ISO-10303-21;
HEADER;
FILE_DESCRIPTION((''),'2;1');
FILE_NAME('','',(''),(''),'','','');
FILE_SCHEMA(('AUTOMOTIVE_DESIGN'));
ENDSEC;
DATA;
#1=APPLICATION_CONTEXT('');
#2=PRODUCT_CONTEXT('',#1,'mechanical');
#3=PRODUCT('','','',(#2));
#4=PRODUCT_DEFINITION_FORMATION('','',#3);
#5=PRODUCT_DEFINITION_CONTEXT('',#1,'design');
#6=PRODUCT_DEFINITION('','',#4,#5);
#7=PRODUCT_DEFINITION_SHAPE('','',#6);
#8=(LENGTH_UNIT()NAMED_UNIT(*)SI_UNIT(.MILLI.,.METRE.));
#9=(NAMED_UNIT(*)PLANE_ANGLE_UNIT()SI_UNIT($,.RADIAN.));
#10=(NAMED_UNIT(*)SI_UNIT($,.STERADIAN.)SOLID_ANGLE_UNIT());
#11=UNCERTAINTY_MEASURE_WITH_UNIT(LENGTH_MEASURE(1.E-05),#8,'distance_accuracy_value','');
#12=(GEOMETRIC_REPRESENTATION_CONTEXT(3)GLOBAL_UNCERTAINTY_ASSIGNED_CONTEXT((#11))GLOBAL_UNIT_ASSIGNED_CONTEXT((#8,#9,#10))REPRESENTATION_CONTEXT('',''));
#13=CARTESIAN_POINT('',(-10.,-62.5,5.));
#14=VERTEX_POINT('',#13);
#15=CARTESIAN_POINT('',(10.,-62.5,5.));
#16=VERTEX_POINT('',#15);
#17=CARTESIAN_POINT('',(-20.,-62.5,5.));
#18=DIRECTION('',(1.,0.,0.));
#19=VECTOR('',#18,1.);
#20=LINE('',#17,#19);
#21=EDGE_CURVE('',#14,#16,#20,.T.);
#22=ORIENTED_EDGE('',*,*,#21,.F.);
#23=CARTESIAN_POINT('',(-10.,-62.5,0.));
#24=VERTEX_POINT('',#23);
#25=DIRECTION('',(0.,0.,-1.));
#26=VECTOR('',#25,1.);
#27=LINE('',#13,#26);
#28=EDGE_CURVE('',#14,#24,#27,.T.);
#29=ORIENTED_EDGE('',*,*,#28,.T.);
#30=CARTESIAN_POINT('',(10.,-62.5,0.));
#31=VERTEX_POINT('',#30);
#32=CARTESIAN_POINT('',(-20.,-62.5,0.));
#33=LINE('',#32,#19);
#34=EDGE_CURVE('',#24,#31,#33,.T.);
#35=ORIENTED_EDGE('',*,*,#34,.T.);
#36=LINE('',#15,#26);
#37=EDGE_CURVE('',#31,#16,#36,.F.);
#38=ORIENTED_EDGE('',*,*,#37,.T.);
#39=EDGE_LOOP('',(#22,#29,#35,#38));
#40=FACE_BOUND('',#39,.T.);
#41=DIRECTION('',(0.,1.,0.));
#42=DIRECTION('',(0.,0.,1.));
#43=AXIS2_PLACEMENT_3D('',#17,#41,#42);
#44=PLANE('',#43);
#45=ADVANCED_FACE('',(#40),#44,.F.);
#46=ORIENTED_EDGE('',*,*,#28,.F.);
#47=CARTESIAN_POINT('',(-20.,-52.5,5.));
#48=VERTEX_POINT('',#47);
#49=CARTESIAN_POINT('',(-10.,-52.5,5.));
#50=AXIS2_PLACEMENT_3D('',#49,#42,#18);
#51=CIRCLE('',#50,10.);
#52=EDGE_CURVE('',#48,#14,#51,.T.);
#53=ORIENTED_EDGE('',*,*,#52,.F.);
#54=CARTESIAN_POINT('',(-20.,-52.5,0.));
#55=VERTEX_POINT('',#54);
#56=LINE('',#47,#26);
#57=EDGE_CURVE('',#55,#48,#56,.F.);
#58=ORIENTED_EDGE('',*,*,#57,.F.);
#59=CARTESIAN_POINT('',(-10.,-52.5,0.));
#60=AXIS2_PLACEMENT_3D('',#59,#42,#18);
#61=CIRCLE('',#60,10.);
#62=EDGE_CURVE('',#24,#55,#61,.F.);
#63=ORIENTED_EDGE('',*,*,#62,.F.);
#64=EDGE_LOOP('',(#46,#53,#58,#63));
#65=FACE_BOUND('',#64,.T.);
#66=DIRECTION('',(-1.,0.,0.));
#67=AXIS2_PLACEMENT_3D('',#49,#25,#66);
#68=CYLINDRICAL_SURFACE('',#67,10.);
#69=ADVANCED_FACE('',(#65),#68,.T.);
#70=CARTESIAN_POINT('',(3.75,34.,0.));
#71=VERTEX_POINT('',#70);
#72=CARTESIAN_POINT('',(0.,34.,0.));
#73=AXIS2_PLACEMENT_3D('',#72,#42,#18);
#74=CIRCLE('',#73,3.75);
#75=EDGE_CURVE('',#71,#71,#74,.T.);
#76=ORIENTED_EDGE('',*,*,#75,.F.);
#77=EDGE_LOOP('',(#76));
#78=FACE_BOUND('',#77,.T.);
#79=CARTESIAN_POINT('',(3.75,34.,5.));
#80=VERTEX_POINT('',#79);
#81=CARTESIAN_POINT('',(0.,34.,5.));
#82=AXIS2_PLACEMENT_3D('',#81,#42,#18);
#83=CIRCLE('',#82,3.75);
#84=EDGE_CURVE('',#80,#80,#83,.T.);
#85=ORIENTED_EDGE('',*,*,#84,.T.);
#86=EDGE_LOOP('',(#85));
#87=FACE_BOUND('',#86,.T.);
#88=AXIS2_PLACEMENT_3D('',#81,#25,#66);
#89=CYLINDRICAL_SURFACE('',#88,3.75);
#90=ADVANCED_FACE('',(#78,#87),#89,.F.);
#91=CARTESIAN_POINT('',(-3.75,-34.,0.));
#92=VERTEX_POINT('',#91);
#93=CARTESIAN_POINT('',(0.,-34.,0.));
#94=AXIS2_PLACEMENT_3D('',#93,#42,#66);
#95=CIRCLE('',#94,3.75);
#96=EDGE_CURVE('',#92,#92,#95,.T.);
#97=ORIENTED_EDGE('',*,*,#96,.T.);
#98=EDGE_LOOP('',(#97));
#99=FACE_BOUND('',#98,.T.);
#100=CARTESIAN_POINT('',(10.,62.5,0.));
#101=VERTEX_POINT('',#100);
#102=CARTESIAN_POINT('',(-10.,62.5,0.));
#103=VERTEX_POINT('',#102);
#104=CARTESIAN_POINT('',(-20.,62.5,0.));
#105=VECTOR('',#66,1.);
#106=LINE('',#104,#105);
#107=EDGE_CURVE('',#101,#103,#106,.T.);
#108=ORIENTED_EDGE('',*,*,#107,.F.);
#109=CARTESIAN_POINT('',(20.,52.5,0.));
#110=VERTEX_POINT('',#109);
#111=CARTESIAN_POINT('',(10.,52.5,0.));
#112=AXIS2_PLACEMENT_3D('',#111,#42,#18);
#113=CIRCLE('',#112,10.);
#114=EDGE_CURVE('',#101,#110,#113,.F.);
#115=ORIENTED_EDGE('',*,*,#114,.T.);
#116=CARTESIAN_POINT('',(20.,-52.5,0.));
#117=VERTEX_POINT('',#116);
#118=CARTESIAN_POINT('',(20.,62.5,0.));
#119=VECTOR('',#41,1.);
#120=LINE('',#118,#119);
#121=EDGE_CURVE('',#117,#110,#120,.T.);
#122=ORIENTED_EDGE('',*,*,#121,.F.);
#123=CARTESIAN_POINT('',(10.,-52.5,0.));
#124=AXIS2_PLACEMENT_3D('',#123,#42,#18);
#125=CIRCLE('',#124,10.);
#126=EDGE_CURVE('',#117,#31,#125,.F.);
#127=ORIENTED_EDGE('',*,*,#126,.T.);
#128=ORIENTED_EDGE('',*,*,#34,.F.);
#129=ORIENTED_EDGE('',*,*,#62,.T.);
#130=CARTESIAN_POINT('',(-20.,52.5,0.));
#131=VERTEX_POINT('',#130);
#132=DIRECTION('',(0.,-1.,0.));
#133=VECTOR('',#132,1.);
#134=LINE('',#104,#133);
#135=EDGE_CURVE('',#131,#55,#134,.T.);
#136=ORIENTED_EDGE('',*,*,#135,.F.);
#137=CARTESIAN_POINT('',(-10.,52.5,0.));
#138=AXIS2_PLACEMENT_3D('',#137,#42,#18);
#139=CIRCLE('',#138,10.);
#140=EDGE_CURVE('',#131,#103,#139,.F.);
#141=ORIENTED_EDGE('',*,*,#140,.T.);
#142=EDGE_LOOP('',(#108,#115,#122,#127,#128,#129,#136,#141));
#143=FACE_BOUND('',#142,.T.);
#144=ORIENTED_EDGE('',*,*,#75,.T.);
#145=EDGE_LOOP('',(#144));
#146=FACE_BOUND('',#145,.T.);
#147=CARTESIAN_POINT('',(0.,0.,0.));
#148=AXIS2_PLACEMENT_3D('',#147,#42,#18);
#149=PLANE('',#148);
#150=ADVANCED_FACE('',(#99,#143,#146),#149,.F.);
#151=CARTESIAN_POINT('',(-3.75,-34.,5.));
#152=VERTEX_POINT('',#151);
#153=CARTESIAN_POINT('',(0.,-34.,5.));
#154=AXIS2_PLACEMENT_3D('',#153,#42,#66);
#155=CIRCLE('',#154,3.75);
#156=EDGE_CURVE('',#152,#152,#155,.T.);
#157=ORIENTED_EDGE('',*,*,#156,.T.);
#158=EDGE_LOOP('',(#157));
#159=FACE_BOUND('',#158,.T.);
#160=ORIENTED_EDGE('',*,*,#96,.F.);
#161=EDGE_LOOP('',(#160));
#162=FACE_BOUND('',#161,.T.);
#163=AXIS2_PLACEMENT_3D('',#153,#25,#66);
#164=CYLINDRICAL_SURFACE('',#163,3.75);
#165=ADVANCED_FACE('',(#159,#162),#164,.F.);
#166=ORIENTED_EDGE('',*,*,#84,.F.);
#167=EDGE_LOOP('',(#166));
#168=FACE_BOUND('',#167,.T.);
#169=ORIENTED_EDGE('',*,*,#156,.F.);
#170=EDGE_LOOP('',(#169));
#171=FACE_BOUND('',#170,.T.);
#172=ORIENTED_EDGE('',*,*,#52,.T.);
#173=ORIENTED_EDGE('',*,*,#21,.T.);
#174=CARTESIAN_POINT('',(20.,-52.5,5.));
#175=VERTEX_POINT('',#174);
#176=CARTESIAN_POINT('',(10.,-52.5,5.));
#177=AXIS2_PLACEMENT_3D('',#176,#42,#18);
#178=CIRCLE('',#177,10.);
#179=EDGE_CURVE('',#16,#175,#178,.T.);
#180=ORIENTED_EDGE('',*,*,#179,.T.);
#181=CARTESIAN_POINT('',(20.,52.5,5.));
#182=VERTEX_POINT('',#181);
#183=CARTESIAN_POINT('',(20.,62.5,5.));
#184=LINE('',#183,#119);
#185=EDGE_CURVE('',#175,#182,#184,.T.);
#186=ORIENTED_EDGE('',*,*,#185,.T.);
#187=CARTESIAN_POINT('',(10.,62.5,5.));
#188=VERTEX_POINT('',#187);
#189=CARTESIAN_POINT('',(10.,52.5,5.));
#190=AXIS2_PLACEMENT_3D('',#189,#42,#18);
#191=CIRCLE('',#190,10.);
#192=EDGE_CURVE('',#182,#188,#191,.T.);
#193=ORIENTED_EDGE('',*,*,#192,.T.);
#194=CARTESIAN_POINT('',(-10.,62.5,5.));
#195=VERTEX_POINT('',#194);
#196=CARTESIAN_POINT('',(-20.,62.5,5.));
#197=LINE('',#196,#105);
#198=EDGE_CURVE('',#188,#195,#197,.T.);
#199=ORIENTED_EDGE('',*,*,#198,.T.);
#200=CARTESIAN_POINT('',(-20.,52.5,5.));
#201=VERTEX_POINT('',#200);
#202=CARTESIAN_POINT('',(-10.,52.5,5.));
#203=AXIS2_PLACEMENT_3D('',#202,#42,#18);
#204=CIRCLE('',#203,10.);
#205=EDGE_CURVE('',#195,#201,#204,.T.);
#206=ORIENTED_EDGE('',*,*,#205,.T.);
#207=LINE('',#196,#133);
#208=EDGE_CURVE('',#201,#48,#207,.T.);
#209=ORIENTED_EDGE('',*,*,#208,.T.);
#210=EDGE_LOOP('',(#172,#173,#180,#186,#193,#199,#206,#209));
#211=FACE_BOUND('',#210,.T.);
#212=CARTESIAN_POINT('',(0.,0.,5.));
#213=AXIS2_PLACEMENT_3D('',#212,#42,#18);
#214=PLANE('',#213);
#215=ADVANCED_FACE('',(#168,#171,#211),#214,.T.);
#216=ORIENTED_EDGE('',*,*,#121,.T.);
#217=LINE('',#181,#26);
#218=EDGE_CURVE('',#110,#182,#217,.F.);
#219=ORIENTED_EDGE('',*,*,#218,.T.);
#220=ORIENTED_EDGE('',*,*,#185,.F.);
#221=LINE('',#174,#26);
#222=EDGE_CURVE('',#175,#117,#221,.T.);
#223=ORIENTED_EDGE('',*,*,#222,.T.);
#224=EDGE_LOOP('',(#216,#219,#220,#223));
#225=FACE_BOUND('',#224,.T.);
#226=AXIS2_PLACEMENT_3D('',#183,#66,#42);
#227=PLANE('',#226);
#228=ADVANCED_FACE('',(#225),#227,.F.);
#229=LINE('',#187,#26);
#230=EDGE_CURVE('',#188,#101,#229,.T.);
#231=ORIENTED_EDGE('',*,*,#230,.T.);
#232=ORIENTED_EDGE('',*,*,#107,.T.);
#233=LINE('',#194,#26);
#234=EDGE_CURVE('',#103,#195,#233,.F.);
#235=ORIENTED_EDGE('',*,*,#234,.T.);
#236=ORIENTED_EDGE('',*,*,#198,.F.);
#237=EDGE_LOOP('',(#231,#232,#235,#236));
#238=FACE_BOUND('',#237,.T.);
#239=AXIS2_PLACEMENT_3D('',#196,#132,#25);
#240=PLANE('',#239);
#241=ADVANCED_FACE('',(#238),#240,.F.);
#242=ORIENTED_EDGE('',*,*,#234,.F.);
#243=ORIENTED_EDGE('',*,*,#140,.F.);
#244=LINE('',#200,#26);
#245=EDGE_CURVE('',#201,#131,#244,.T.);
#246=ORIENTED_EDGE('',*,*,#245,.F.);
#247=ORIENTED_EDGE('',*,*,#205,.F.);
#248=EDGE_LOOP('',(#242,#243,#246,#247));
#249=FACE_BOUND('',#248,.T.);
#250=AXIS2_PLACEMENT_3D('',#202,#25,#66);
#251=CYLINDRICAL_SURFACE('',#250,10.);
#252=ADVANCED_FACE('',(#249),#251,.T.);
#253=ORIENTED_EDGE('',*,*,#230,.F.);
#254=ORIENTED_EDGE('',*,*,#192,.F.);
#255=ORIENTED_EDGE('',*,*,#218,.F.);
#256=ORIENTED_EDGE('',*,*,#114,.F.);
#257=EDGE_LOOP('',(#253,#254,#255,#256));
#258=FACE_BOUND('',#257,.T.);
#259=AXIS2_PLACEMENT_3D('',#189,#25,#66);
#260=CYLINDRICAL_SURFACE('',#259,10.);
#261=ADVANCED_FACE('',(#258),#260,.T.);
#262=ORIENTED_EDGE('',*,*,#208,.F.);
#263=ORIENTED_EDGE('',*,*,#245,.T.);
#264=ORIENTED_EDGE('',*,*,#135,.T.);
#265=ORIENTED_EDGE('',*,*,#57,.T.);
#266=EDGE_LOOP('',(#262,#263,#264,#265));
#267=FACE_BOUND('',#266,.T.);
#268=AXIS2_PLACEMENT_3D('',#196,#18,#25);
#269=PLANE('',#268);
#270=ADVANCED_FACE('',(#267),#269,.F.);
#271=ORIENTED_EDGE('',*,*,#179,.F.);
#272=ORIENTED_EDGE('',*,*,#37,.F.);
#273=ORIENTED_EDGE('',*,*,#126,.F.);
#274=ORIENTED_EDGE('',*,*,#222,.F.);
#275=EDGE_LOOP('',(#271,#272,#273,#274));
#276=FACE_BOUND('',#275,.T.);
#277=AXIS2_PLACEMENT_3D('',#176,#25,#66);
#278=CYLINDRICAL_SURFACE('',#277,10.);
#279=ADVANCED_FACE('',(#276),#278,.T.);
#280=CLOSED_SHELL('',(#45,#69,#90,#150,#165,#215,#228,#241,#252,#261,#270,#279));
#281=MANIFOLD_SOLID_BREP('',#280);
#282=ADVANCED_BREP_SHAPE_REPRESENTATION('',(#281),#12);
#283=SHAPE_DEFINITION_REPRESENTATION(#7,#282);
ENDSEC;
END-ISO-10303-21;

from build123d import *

# Parameters (mm, degrees)
SKIZZE1_W                       = 40
SKIZZE1_H                       = 125
SKIZZE1_R                       = 3.75
AUFSATZ_LINEAR_AUSTRAGEN1_DEPTH = 5
VERRUNDUNG1_R                   = 10


with BuildPart() as part:
    # Skizze1 → Aufsatz-Linear austragen1 (new body)
    with BuildSketch(Plane.XY):
        Rectangle(SKIZZE1_W, SKIZZE1_H)
        with Locations((0, 34)):
            Circle(SKIZZE1_R, mode=Mode.SUBTRACT)
        with Locations(Location((0, -34, 0), (0, 0, 180))):
            Circle(SKIZZE1_R, mode=Mode.SUBTRACT)
    extrude(amount=AUFSATZ_LINEAR_AUSTRAGEN1_DEPTH)

    # Verrundung1
    verrundung1_edges = [part.edges().sort_by_distance(p)[0] for p in [
        (-20, 62.5, 2.5),
        (20, 62.5, 2.5),
        (20, -62.5, 2.5),
        (-20, -62.5, 2.5),
    ]]
    fillet(verrundung1_edges, radius=VERRUNDUNG1_R)


solid = part.part
